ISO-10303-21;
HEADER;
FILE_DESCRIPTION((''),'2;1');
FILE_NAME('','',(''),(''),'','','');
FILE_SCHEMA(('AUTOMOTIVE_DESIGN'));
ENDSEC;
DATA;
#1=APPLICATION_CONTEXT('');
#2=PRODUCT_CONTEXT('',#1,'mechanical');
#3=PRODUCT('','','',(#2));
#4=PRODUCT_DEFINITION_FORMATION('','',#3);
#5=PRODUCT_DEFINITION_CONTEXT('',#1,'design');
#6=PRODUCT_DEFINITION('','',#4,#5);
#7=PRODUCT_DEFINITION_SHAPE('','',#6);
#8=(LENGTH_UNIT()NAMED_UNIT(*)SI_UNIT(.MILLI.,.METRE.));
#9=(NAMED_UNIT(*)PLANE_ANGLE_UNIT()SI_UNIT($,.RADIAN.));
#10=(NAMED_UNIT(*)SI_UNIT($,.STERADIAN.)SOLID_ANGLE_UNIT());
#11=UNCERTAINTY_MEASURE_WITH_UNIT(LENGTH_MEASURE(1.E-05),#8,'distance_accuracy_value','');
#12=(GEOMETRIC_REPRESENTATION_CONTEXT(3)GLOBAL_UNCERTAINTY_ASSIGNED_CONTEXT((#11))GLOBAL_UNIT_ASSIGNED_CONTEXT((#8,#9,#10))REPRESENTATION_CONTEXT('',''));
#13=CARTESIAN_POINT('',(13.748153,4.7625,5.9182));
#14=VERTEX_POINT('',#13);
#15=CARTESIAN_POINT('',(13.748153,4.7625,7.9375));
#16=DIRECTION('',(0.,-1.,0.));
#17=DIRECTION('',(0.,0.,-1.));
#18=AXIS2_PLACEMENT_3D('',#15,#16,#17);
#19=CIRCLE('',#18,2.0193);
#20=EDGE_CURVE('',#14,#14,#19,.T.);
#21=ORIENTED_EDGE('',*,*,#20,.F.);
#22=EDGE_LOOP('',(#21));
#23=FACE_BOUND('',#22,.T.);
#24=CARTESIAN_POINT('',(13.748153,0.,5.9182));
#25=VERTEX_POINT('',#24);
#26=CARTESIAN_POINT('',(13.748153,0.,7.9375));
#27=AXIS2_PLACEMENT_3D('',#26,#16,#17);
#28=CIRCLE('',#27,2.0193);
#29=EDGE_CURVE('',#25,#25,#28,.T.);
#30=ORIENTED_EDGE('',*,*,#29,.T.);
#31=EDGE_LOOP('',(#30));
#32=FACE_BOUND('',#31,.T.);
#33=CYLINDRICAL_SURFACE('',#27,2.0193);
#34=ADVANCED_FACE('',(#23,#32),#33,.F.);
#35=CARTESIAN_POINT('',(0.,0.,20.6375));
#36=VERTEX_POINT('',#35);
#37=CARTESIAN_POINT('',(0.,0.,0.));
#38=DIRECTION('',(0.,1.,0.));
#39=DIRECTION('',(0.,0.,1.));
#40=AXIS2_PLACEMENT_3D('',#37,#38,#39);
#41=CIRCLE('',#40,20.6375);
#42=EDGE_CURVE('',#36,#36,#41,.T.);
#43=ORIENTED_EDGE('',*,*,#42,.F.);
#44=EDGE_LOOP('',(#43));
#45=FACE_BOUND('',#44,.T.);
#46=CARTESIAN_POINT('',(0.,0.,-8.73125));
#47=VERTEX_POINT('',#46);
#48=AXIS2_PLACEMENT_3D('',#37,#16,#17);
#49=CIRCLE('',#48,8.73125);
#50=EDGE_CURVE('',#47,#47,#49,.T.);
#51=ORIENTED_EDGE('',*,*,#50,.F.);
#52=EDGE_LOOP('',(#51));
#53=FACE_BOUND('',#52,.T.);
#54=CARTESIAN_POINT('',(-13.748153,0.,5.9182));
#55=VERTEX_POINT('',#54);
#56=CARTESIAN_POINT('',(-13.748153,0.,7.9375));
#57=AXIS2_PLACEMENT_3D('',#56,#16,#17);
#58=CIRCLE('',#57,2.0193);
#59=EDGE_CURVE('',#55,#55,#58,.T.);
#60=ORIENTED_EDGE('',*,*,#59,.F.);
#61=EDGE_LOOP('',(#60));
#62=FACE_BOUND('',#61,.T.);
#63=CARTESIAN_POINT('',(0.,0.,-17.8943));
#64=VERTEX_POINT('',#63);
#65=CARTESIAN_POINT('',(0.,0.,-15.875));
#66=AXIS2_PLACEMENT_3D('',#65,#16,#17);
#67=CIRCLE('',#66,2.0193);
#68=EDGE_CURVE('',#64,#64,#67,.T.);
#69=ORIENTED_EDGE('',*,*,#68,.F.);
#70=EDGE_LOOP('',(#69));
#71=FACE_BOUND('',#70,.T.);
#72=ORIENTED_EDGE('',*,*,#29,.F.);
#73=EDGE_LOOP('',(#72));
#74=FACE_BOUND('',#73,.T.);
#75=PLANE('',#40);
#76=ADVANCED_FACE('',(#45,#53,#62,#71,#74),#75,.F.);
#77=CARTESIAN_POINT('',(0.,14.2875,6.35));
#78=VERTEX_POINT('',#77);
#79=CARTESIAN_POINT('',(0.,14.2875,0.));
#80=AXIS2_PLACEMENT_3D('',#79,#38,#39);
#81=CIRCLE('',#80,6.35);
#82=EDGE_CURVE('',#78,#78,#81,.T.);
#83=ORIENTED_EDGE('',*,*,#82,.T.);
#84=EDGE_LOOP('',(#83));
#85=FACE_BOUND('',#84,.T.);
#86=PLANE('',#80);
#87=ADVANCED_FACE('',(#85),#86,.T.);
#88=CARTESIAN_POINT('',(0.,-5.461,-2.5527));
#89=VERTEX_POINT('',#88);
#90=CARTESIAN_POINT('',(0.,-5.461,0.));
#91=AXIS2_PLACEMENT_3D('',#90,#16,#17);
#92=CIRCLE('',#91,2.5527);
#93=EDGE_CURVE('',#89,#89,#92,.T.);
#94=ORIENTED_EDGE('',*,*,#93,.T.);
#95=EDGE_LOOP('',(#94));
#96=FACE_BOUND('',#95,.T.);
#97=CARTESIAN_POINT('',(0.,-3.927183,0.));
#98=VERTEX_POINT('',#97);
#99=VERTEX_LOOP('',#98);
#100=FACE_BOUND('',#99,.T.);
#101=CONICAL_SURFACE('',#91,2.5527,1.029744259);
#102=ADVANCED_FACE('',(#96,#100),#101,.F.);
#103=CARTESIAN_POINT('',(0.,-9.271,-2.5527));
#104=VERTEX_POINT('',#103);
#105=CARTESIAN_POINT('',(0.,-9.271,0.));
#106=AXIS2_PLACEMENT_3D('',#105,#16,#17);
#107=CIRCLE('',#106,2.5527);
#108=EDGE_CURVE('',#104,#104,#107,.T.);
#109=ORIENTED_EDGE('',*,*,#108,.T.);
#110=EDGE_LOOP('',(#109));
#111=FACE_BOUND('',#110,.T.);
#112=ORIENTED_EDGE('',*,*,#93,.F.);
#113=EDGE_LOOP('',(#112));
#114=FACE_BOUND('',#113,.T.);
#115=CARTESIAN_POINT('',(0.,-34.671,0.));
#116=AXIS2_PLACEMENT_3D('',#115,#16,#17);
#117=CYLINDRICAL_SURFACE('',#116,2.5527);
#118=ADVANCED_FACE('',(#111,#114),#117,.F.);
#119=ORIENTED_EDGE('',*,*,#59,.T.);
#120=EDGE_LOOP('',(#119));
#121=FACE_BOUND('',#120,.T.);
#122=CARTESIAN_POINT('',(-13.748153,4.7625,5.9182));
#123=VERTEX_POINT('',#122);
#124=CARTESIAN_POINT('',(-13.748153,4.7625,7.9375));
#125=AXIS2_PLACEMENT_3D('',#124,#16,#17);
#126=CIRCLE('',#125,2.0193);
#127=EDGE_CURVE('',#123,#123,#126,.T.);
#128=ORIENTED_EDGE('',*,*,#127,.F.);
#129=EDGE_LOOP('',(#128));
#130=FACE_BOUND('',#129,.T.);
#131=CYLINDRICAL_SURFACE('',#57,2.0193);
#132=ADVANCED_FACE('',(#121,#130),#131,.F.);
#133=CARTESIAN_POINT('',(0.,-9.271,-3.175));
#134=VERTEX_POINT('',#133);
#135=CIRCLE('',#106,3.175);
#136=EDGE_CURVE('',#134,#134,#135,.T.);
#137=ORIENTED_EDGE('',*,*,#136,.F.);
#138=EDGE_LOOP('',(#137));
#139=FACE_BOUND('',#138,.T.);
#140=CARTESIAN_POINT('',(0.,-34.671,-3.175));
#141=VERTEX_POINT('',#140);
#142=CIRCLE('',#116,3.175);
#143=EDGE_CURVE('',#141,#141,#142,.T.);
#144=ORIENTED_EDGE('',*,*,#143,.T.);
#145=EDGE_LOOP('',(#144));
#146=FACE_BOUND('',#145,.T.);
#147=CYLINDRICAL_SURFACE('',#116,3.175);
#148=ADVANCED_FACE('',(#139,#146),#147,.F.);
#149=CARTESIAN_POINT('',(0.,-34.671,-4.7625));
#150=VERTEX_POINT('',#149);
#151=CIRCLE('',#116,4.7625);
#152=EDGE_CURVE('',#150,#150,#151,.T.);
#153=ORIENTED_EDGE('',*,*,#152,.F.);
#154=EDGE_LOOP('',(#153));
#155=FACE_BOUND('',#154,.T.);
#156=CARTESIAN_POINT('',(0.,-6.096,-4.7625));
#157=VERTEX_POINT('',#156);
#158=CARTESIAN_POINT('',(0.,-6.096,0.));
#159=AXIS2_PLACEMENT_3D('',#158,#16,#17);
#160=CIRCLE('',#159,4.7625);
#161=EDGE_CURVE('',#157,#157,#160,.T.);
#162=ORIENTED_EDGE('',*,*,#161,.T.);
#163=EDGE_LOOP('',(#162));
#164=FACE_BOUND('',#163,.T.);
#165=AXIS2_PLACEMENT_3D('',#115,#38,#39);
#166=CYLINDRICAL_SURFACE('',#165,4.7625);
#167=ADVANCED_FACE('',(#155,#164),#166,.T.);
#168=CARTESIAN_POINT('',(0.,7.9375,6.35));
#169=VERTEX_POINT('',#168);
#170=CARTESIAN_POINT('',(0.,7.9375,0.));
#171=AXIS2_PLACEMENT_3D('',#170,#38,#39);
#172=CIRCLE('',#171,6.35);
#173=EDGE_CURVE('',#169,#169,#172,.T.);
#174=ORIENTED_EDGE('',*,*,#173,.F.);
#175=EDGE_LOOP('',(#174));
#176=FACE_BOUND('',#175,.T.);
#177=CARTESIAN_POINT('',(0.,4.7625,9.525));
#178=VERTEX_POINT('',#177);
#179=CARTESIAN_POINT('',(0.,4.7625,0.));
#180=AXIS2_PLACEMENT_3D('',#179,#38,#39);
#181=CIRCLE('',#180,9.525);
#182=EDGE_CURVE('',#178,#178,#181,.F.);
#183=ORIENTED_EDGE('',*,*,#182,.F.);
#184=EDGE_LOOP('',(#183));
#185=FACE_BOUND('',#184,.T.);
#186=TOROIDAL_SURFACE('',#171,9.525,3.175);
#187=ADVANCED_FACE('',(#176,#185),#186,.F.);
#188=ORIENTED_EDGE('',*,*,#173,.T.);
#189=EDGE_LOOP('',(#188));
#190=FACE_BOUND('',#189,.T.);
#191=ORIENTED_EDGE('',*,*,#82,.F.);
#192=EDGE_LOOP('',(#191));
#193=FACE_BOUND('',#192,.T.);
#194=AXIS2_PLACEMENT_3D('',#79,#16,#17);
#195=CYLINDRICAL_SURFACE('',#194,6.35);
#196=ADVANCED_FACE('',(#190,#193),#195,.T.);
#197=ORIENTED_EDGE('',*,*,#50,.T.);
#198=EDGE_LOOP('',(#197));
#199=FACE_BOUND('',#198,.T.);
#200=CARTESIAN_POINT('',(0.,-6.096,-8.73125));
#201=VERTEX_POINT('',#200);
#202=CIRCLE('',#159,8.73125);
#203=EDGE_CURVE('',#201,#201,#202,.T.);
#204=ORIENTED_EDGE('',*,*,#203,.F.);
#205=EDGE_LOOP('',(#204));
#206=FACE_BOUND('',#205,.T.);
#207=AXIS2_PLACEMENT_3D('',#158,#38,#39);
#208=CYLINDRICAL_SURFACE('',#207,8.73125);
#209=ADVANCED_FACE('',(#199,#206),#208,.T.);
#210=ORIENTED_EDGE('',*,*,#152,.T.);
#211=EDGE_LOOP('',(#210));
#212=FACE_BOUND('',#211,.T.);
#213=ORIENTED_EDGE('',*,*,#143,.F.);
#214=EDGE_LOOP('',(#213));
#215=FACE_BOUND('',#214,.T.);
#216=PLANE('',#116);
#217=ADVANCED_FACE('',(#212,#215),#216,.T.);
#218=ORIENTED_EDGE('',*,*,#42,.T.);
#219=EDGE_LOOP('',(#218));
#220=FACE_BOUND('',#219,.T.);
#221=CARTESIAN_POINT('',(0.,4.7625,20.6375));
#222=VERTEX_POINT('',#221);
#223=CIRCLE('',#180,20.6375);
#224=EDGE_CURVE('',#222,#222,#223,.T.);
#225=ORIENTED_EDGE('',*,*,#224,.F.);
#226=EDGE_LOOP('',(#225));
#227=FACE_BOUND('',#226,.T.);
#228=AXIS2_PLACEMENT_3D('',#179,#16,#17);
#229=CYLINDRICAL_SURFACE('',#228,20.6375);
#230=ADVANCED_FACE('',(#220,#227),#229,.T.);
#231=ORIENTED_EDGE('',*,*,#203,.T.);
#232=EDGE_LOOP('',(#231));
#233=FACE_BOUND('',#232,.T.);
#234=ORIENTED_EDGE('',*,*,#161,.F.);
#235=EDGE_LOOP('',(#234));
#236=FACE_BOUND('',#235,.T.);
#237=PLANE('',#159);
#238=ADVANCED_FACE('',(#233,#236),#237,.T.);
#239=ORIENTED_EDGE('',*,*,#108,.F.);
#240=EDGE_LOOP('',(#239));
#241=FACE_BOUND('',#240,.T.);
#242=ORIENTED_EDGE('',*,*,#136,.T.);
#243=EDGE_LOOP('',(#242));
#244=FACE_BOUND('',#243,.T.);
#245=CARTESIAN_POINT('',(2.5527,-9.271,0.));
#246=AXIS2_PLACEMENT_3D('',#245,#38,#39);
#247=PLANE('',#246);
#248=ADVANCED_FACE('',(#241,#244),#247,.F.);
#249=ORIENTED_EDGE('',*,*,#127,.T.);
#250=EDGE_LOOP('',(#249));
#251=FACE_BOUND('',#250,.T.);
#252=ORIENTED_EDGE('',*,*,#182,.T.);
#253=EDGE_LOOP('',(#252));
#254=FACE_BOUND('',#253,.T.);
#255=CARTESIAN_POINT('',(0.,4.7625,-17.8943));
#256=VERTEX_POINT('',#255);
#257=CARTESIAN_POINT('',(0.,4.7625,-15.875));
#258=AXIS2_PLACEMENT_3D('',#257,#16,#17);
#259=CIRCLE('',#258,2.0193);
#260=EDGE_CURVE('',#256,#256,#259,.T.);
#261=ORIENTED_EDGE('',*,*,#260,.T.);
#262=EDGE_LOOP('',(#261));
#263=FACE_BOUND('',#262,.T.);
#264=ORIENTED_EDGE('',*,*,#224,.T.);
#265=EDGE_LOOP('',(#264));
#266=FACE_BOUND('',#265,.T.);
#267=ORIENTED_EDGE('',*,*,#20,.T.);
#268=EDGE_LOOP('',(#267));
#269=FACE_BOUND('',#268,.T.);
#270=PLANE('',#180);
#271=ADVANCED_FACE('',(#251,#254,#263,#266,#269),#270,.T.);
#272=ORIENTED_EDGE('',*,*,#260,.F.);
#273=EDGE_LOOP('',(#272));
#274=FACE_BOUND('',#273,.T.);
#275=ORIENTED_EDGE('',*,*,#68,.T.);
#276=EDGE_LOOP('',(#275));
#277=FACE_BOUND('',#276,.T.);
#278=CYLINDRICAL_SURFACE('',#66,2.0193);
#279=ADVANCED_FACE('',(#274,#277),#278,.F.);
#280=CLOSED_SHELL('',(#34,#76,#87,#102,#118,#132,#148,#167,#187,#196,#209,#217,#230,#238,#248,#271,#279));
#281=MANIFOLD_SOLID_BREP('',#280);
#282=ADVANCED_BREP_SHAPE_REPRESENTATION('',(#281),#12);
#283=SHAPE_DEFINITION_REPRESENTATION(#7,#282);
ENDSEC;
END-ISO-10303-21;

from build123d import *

# Parameters (mm, degrees)
SKETCH1_R                         = 20.6375
BOSS_EXTRUDE1_DEPTH               = 4.7625
SKETCH2_R                         = 8.73125
BOSS_EXTRUDE2_DEPTH               = 6.096
SKETCH5_R                         = 4.7625
BOSS_EXTRUDE3_DEPTH               = 28.575
F_1_4_20_TAPPED_HOLE2_D           = 5.1054
F_1_4_20_TAPPED_HOLE2_DEPTH       = 29.21
F_1_4_20_TAPPED_HOLE2_CBORE_D     = 6.35
F_1_4_20_TAPPED_HOLE2_CBORE_DEPTH = 25.4
F_1_4_20_TAPPED_HOLE2_TIP         = 1.533816902
F_10_32_TAPPED_HOLE1_D            = 4.0386
SKETCH11_R                        = 6.35
BOSS_EXTRUDE4_DEPTH               = 9.525
FILLET1_R                         = 3.175


with BuildPart() as part:
    # Sketch1 → Boss-Extrude1 (new body)
    with BuildSketch(Plane(origin=(0, 0, 0), x_dir=(1, 0, 0), z_dir=(0, 1, 0))):
        Circle(SKETCH1_R)
    extrude(amount=BOSS_EXTRUDE1_DEPTH)

    # Sketch2 → Boss-Extrude2 (add)
    with BuildSketch(Plane.XZ):
        Circle(SKETCH2_R)
    extrude(amount=BOSS_EXTRUDE2_DEPTH)

    # Sketch5 → Boss-Extrude3 (add)
    with BuildSketch(Plane.XZ.offset(6.096)):
        Circle(SKETCH5_R)
    extrude(amount=BOSS_EXTRUDE3_DEPTH)

    # 1/4-20 Tapped Hole2
    with Locations(Plane(origin=(0, -34.671, 0), x_dir=(-1, 0, 0), z_dir=(0, -1, 0))):
        with Locations((0, 0)):
            CounterBoreHole(F_1_4_20_TAPPED_HOLE2_D / 2, F_1_4_20_TAPPED_HOLE2_CBORE_D / 2, F_1_4_20_TAPPED_HOLE2_CBORE_DEPTH, depth=F_1_4_20_TAPPED_HOLE2_DEPTH)
            with Locations((0, 0, -(F_1_4_20_TAPPED_HOLE2_DEPTH + F_1_4_20_TAPPED_HOLE2_TIP / 2))):  # 118° drill point
                Cone(0, F_1_4_20_TAPPED_HOLE2_D / 2, F_1_4_20_TAPPED_HOLE2_TIP, mode=Mode.SUBTRACT)

    # #10-32 Tapped Hole1 (through all)
    with Locations(Plane(origin=(0, 0, 0), x_dir=(-1, 0, 0), z_dir=(0, -1, 0))):
        with Locations((-13.748153285, -7.9375), (0, 15.875), (13.748153285, -7.9375)):
            Hole(F_10_32_TAPPED_HOLE1_D / 2)

    # Sketch11 → Boss-Extrude4 (add)
    with BuildSketch(Plane(origin=(0, 4.7625, 0), x_dir=(1, 0, 0), z_dir=(0, 1, 0))):
        Circle(SKETCH11_R)
    extrude(amount=BOSS_EXTRUDE4_DEPTH)

    # Fillet1
    fillet1_edges = [part.edges().sort_by_distance(p)[0] for p in [
        (-6.35, 4.7625, 0),
    ]]
    fillet(fillet1_edges, radius=FILLET1_R)


solid = part.part
